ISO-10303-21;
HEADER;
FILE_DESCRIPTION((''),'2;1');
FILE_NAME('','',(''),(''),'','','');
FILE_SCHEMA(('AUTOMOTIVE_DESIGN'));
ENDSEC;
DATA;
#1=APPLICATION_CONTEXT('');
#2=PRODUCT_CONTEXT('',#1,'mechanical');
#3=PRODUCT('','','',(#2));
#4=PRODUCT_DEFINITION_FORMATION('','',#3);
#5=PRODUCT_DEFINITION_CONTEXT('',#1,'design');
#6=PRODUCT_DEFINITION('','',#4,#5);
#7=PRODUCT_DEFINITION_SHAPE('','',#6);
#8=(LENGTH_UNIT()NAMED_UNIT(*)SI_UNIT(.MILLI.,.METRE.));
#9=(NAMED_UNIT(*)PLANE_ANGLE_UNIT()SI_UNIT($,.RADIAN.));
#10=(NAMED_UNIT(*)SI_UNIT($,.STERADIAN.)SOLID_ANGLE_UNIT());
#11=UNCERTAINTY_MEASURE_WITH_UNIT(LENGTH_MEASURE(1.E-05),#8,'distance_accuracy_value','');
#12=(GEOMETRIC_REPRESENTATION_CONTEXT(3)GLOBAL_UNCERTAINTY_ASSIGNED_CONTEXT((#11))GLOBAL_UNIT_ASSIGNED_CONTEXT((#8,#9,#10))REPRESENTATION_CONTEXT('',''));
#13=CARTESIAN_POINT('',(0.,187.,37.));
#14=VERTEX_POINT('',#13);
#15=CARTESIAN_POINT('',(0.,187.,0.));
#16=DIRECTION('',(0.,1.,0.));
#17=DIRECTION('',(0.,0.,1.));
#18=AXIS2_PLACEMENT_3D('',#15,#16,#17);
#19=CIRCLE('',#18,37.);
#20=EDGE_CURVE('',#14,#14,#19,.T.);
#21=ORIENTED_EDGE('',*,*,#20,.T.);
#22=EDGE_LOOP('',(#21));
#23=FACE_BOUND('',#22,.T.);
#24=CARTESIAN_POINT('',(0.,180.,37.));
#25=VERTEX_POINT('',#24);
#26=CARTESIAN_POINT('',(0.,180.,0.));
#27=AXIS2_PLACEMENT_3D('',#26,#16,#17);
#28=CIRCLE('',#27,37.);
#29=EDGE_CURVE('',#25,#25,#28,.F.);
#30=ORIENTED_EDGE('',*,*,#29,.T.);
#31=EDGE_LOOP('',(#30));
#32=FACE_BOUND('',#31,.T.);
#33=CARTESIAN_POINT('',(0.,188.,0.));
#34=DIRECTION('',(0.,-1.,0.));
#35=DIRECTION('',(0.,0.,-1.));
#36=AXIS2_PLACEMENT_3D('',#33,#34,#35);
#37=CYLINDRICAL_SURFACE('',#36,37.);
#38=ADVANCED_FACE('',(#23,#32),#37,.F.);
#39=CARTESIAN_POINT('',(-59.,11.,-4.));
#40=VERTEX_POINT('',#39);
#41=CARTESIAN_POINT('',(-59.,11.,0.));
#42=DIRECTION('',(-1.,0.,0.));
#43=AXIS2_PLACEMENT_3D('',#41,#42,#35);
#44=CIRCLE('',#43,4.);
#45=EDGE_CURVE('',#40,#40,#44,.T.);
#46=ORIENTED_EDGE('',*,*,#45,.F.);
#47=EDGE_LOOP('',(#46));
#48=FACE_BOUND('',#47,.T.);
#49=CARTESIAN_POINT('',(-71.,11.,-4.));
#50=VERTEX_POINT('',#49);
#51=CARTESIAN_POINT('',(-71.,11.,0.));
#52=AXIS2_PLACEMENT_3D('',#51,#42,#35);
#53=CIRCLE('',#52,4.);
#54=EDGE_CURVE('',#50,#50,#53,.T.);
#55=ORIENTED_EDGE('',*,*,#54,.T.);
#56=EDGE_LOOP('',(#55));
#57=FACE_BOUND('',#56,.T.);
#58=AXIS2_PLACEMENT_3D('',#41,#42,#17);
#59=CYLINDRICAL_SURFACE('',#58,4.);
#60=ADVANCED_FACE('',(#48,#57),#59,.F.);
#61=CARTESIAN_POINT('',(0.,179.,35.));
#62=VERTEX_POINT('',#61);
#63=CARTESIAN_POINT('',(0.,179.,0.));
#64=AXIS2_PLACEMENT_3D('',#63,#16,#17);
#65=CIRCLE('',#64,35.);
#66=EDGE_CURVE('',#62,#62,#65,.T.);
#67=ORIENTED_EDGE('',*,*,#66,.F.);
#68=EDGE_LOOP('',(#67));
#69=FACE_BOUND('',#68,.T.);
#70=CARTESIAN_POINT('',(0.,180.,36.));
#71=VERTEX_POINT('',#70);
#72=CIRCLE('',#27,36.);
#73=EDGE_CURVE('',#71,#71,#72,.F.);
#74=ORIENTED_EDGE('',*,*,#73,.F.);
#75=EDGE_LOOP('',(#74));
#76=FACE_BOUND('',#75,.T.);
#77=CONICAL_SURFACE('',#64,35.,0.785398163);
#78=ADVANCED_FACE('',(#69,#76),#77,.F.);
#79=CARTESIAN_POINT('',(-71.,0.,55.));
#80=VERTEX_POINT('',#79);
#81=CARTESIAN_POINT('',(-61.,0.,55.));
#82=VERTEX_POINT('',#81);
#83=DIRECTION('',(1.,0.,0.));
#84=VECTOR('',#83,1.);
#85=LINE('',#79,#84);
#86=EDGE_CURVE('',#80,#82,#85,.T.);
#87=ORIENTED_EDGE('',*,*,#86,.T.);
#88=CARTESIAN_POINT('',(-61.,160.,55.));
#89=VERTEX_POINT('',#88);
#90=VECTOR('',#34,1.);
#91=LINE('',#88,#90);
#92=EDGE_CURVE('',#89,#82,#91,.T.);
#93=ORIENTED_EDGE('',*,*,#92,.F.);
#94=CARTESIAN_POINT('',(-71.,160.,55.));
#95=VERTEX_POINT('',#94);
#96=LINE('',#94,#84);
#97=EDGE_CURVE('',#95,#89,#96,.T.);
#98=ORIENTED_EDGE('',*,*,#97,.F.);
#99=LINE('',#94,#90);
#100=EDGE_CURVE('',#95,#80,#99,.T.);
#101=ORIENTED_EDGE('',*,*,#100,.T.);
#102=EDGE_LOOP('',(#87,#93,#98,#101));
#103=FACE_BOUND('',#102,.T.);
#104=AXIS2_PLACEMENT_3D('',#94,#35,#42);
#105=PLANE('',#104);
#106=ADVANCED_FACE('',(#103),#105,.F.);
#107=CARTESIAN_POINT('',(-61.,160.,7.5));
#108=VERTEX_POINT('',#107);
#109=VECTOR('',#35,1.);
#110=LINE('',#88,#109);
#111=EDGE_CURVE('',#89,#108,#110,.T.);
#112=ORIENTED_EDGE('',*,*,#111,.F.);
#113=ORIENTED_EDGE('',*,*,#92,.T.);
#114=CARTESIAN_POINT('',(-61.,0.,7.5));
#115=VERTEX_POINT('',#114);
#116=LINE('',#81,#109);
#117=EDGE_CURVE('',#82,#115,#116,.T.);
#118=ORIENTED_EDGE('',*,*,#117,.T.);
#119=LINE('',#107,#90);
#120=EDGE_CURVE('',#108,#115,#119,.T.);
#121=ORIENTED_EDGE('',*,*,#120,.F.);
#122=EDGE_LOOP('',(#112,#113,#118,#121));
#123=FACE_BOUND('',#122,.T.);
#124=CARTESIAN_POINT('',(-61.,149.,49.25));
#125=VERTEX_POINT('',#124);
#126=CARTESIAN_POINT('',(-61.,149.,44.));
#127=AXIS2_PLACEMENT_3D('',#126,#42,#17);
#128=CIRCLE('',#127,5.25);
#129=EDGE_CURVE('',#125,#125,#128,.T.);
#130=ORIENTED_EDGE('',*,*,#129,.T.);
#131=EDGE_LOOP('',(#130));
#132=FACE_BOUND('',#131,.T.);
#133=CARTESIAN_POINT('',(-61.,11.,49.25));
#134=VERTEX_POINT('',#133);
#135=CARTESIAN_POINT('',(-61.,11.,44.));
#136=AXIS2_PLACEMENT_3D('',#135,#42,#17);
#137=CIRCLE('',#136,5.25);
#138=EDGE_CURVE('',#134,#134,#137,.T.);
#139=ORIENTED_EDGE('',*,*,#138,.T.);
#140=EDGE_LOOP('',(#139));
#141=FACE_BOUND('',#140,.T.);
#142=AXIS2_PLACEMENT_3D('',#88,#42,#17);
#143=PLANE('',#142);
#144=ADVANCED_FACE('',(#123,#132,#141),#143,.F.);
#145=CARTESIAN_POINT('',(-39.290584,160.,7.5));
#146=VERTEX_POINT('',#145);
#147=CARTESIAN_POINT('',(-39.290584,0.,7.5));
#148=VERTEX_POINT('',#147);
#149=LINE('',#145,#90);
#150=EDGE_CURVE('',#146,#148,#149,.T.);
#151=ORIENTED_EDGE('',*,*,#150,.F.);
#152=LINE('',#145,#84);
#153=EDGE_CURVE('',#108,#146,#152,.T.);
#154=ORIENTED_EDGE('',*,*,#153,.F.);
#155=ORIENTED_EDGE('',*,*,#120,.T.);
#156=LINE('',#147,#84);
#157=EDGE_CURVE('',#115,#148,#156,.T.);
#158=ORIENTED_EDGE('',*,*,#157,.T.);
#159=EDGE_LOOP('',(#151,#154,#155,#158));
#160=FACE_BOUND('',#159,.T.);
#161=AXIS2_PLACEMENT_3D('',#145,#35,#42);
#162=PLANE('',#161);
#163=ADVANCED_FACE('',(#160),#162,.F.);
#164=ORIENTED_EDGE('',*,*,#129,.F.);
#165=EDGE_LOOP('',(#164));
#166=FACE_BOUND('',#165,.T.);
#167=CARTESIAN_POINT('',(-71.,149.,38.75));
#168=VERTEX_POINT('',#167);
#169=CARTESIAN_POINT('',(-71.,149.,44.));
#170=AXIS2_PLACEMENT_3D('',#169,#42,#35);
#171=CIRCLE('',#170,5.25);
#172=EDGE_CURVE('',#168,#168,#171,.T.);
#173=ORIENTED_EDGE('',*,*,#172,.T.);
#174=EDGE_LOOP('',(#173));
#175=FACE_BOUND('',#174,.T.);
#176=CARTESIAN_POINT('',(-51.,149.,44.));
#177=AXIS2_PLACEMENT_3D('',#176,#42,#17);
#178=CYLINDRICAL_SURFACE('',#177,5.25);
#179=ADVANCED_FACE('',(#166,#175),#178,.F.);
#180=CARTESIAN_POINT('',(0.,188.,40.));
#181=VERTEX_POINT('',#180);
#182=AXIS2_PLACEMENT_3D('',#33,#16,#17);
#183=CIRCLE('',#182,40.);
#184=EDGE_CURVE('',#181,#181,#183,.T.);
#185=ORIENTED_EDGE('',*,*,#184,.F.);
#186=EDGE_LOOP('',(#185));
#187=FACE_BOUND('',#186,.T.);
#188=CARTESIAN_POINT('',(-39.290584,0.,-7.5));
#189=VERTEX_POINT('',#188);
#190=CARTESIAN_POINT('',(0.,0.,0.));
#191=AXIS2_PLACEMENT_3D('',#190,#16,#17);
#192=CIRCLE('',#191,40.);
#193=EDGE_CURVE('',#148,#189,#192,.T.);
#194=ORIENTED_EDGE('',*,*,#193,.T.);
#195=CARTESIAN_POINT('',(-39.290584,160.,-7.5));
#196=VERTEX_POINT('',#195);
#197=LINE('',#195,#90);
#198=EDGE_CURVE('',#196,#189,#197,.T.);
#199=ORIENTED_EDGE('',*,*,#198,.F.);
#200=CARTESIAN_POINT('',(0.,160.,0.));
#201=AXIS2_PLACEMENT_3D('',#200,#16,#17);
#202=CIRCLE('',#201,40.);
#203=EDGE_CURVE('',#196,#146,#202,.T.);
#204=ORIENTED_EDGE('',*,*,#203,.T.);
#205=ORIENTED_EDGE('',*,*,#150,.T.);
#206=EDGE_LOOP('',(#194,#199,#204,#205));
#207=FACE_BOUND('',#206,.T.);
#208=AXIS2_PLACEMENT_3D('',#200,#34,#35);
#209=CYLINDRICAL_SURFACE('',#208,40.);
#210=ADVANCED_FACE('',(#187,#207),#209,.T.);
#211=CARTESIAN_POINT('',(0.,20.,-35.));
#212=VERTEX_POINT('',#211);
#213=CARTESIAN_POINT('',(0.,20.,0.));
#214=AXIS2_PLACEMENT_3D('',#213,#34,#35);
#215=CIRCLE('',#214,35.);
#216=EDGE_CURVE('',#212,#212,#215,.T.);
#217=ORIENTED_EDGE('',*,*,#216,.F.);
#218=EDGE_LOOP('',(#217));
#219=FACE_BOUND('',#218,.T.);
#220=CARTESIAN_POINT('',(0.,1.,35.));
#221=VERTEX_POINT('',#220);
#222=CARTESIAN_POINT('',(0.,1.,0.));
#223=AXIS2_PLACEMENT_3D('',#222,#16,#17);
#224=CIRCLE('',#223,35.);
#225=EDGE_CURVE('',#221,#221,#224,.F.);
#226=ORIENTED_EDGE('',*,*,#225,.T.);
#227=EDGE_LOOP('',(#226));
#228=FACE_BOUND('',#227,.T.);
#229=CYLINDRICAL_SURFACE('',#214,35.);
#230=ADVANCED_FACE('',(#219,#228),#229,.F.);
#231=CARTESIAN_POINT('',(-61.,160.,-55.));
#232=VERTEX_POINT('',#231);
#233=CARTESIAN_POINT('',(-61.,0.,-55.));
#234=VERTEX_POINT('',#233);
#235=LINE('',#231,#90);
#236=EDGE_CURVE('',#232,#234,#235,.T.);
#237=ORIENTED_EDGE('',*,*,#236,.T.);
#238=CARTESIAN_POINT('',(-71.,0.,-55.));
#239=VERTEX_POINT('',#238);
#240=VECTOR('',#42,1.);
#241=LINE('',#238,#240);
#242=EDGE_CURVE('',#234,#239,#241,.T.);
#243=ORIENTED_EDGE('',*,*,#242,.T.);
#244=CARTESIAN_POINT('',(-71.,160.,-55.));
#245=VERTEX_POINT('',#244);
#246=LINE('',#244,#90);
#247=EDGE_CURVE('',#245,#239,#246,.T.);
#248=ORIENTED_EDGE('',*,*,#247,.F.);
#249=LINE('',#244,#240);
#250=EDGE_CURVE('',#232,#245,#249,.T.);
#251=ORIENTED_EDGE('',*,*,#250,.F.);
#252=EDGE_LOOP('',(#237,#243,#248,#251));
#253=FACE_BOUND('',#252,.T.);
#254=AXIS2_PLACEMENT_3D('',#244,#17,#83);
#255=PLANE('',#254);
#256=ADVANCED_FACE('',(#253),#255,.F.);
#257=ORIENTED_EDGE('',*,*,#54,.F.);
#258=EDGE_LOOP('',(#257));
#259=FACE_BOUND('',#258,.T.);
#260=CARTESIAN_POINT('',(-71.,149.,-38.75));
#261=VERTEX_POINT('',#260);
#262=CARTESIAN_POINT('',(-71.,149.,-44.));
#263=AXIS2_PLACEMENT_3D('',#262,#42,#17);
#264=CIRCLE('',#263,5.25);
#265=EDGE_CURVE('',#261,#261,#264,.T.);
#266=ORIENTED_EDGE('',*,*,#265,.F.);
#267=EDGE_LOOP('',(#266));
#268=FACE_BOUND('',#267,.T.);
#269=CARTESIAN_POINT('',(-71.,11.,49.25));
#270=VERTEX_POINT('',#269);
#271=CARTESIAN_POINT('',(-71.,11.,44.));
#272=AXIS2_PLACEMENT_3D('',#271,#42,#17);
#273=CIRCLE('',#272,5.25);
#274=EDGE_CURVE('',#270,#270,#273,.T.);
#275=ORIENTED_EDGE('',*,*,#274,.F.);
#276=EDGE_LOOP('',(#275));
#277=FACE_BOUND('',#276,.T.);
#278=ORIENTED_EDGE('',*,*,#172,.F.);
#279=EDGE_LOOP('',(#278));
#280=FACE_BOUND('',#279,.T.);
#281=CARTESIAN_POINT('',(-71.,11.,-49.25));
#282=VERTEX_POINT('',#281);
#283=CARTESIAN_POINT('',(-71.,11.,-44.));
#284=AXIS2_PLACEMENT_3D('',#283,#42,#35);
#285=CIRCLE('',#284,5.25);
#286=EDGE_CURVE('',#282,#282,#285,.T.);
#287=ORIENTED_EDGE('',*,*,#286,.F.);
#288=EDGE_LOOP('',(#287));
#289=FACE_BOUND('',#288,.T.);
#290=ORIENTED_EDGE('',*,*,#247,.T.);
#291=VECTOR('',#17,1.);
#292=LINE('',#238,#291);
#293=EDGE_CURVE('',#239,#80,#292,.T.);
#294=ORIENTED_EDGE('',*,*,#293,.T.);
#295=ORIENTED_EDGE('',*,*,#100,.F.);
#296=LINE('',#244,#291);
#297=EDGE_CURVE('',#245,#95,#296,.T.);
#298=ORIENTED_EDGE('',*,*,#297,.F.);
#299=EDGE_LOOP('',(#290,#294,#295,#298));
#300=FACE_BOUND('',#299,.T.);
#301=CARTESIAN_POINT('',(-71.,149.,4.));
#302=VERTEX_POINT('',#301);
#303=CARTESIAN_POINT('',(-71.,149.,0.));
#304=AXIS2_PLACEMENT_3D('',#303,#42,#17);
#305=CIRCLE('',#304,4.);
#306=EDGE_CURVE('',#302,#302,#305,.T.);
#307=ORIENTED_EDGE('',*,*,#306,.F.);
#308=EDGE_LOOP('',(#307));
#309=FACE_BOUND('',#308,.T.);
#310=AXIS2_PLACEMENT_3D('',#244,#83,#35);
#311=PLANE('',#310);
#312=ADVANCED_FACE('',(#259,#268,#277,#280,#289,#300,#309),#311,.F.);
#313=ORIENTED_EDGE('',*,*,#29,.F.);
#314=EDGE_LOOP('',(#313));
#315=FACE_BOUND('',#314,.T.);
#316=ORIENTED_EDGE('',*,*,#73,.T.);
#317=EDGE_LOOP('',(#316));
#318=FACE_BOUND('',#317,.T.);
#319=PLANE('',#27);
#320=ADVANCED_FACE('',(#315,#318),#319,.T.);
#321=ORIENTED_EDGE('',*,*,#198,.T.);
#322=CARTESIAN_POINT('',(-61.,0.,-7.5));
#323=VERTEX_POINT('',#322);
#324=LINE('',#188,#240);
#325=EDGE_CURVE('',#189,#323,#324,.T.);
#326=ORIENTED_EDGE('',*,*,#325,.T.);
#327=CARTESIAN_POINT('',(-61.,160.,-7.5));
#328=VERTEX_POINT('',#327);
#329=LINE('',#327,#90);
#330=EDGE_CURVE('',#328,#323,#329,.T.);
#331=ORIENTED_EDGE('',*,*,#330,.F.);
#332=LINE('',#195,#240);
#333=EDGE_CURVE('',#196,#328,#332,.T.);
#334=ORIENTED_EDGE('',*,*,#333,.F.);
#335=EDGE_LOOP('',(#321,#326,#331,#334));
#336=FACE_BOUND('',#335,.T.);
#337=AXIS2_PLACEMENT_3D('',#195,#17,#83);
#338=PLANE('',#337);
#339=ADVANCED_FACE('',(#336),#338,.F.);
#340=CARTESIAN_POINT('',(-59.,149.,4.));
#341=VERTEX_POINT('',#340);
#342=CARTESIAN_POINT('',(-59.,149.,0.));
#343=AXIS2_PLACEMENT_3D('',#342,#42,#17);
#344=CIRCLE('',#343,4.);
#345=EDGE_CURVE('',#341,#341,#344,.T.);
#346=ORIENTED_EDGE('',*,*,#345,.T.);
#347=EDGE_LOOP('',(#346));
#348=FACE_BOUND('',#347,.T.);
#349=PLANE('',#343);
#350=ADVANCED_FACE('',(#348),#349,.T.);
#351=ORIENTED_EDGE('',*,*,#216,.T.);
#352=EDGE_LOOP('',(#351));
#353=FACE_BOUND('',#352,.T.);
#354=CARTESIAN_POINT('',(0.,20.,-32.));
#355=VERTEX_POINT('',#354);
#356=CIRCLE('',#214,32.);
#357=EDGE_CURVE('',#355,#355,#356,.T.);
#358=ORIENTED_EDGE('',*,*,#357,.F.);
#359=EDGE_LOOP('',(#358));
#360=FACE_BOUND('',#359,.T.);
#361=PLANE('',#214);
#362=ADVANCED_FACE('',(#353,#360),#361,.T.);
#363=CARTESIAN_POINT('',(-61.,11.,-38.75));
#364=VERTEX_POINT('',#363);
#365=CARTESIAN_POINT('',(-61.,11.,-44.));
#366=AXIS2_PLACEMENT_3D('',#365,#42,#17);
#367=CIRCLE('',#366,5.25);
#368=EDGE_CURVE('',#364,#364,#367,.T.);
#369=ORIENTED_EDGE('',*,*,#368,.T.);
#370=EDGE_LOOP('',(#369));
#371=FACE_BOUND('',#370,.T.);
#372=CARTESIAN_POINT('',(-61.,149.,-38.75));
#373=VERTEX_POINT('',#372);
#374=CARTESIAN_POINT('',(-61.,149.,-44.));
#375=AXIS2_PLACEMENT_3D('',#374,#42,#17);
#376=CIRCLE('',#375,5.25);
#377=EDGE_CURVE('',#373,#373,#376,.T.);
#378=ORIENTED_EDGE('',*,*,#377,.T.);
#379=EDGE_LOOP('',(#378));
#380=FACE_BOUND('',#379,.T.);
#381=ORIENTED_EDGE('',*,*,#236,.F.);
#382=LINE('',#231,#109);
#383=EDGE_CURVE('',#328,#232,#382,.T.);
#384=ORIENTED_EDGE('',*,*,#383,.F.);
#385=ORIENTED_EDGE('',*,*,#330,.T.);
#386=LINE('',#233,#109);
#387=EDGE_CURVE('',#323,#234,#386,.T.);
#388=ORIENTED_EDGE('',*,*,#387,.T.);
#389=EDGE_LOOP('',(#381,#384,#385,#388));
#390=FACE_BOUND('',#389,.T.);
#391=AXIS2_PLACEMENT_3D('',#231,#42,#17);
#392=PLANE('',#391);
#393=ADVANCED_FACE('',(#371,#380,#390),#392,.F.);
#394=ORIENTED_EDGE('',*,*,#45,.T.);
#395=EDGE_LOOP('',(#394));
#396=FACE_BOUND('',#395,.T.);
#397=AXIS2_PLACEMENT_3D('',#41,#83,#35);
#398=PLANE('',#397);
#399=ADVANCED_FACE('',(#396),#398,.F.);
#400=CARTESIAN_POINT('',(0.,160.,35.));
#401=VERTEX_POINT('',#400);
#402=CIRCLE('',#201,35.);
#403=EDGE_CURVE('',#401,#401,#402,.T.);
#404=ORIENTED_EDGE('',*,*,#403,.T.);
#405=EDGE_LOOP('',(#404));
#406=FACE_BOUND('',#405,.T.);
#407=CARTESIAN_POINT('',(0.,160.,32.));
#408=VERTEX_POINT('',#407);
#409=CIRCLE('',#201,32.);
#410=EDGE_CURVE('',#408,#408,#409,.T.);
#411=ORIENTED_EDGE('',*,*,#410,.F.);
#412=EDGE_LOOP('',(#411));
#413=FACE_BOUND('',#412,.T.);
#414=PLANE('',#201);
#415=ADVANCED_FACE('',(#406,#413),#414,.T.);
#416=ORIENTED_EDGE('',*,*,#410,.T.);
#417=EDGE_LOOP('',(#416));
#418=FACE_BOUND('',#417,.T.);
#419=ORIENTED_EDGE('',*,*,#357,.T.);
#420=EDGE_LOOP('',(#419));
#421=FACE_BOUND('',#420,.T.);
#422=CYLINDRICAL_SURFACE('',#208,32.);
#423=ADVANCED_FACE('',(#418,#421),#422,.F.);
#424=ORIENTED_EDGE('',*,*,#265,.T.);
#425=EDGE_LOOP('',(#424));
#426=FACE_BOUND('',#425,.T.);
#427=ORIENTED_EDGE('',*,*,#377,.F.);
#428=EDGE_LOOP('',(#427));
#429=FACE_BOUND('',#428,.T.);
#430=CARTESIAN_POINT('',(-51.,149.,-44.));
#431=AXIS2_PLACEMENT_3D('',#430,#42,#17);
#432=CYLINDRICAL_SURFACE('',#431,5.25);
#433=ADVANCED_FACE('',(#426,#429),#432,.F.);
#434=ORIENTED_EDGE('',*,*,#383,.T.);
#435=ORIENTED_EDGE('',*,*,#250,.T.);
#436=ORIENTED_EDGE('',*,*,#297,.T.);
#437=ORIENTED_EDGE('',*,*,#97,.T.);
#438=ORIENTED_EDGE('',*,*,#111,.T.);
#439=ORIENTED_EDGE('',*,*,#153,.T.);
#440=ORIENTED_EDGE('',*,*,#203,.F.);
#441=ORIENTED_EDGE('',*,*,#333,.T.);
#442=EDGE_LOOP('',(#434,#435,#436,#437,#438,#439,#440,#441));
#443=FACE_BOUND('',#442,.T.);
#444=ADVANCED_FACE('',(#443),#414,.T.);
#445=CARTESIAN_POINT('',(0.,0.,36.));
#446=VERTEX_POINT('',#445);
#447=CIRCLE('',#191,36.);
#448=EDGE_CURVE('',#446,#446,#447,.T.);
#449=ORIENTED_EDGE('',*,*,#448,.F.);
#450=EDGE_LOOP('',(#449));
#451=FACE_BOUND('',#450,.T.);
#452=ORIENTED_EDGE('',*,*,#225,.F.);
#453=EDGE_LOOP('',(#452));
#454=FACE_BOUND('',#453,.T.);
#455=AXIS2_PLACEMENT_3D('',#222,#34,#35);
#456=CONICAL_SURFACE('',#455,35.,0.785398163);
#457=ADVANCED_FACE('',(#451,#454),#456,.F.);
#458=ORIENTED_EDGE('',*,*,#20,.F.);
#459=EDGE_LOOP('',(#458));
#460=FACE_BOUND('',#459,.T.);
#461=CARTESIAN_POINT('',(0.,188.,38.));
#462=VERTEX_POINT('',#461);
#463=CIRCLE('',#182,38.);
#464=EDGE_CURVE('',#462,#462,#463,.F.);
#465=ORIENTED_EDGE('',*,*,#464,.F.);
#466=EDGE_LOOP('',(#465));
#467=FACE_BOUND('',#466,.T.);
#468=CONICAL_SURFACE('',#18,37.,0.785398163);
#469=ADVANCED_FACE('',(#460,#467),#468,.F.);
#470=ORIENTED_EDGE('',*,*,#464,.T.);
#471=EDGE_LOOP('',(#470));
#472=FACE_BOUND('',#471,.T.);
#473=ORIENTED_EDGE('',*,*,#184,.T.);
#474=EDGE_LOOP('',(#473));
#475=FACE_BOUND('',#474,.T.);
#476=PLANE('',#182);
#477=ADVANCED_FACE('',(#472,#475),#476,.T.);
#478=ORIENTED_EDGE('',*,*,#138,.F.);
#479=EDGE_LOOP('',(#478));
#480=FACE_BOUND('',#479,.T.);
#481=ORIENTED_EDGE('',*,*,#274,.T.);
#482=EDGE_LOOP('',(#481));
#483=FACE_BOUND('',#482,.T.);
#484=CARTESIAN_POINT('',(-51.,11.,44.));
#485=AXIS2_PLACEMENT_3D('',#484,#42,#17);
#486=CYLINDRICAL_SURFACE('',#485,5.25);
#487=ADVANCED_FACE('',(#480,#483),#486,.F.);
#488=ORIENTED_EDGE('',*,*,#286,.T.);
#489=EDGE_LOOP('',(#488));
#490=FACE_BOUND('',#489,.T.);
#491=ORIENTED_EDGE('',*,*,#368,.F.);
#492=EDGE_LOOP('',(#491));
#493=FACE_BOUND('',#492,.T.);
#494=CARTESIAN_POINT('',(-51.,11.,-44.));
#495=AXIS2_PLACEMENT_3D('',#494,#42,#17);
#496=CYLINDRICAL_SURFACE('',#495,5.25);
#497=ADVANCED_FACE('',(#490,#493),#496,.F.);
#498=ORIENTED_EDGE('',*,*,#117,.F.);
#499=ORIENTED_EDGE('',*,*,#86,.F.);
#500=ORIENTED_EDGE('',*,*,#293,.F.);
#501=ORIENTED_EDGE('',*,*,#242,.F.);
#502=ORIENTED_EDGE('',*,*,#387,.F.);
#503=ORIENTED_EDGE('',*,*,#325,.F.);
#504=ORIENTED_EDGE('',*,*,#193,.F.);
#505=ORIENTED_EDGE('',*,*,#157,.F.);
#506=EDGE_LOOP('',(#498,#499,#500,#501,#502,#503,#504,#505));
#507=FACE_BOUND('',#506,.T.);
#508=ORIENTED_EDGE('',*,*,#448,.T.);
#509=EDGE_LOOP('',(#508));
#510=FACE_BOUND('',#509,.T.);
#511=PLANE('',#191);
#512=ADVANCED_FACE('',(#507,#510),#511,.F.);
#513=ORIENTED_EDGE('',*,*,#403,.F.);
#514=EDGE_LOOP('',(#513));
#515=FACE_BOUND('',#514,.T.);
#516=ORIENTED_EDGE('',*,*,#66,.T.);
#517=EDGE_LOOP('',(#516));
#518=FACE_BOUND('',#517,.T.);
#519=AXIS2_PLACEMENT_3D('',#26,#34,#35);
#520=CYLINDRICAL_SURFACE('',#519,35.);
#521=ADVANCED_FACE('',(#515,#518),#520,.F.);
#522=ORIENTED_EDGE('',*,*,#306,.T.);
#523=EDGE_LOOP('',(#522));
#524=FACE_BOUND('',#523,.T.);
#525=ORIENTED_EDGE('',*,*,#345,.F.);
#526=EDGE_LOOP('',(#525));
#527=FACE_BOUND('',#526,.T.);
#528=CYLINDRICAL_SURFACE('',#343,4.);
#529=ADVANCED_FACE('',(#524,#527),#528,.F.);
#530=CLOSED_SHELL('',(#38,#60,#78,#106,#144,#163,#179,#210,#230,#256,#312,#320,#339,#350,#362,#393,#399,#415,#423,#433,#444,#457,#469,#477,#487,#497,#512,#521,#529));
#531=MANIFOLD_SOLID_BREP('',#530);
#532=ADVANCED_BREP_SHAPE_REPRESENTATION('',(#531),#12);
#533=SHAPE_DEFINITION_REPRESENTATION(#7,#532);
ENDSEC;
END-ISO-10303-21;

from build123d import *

# Parameters (mm, degrees)
SCHIZZO1_R        = 32
ESTRUSIONE1_DEPTH = 160
SCHIZZO2_R        = 40
SCHIZZO2_R_2      = 35
ESTRUSIONE2_DEPTH = 20
SCHIZZO4_R        = 5.25
ESTRUSIONE4_DEPTH = 20
SCHIZZO5_R        = 4
ESTRUSIONE5_DEPTH = 12
SCHIZZO6_R        = 40
SCHIZZO6_R_2      = 37
ESTRUSIONE6_DEPTH = 8
SCHIZZO7_R        = 35
ESTRUSIONE7_DEPTH = 20
SMUSSO1_SIZE      = 1


with BuildPart() as part:
    # Schizzo1 → Estrusione1 (new body)
    with BuildSketch(Plane(origin=(0, 0, 0), x_dir=(1, 0, 0), z_dir=(0, 1, 0))):
        with BuildLine():
            Line((-39.290584114, 7.5), (-61, 7.5))
            Line((-61, 7.5), (-61, 55))
            Line((-61, 55), (-71, 55))
            Line((-71, 55), (-71, -55))
            Line((-71, -55), (-61, -55))
            Line((-61, -55), (-61, -7.5))
            Line((-61, -7.5), (-39.290584114, -7.5))
            ThreePointArc((-39.290584114, -7.5), (40, 0), (-39.290584114, 7.5))
        make_face()
        with Locations(Location((0, 0, 0), (0, 0, 270))):
            Circle(SCHIZZO1_R, mode=Mode.SUBTRACT)
    extrude(amount=ESTRUSIONE1_DEPTH)

    # Schizzo2 → Estrusione2 (add)
    with BuildSketch(Plane(origin=(0, 160, 0), x_dir=(1, 0, 0), z_dir=(0, 1, 0))):
        with Locations(Location((0, 0, 0), (0, 0, 169.193077125))):
            Circle(SCHIZZO2_R)
        with Locations(Location((0, 0, 0), (0, 0, 270))):
            Circle(SCHIZZO2_R_2, mode=Mode.SUBTRACT)
    extrude(amount=ESTRUSIONE2_DEPTH)

    # Schizzo4 → Estrusione4 (cut)
    with BuildSketch(Plane.ZY.offset(71)):
        with Locations((-44, 149)):
            Circle(SCHIZZO4_R)
        with Locations((44, 149)):
            Circle(SCHIZZO4_R)
        with Locations((44, 11)):
            Circle(SCHIZZO4_R)
        with Locations((-44, 11)):
            Circle(SCHIZZO4_R)
    extrude(amount=-ESTRUSIONE4_DEPTH, mode=Mode.SUBTRACT)

    # Schizzo5 → Estrusione5 (cut)
    with BuildSketch(Plane.ZY.offset(71)):
        with Locations((0, 149)):
            Circle(SCHIZZO5_R)
        with Locations(Location((0, 11, 0), (0, 0, 180))):
            Circle(SCHIZZO5_R)
    extrude(amount=-ESTRUSIONE5_DEPTH, mode=Mode.SUBTRACT)

    # Schizzo6 → Estrusione6 (add)
    with BuildSketch(Plane(origin=(0, 180, 0), x_dir=(1, 0, 0), z_dir=(0, 1, 0))):
        with Locations(Location((0, 0, 0), (0, 0, 169.193077125))):
            Circle(SCHIZZO6_R)
        with Locations(Location((0, 0, 0), (0, 0, 270))):
            Circle(SCHIZZO6_R_2, mode=Mode.SUBTRACT)
    extrude(amount=ESTRUSIONE6_DEPTH)

    # Schizzo7 → Estrusione7 (cut)
    with BuildSketch(Plane.XZ):
        with Locations(Location((0, 0, 0), (0, 0, 90))):
            Circle(SCHIZZO7_R)
    extrude(amount=-ESTRUSIONE7_DEPTH, mode=Mode.SUBTRACT)

    # Smusso1
    smusso1_edges = [part.edges().sort_by_distance(p)[0] for p in [
        (0, 180, -35),
        (0, 188, -37),
        (0, 0, -35),
    ]]
    chamfer(smusso1_edges, length=SMUSSO1_SIZE)


solid = part.part
